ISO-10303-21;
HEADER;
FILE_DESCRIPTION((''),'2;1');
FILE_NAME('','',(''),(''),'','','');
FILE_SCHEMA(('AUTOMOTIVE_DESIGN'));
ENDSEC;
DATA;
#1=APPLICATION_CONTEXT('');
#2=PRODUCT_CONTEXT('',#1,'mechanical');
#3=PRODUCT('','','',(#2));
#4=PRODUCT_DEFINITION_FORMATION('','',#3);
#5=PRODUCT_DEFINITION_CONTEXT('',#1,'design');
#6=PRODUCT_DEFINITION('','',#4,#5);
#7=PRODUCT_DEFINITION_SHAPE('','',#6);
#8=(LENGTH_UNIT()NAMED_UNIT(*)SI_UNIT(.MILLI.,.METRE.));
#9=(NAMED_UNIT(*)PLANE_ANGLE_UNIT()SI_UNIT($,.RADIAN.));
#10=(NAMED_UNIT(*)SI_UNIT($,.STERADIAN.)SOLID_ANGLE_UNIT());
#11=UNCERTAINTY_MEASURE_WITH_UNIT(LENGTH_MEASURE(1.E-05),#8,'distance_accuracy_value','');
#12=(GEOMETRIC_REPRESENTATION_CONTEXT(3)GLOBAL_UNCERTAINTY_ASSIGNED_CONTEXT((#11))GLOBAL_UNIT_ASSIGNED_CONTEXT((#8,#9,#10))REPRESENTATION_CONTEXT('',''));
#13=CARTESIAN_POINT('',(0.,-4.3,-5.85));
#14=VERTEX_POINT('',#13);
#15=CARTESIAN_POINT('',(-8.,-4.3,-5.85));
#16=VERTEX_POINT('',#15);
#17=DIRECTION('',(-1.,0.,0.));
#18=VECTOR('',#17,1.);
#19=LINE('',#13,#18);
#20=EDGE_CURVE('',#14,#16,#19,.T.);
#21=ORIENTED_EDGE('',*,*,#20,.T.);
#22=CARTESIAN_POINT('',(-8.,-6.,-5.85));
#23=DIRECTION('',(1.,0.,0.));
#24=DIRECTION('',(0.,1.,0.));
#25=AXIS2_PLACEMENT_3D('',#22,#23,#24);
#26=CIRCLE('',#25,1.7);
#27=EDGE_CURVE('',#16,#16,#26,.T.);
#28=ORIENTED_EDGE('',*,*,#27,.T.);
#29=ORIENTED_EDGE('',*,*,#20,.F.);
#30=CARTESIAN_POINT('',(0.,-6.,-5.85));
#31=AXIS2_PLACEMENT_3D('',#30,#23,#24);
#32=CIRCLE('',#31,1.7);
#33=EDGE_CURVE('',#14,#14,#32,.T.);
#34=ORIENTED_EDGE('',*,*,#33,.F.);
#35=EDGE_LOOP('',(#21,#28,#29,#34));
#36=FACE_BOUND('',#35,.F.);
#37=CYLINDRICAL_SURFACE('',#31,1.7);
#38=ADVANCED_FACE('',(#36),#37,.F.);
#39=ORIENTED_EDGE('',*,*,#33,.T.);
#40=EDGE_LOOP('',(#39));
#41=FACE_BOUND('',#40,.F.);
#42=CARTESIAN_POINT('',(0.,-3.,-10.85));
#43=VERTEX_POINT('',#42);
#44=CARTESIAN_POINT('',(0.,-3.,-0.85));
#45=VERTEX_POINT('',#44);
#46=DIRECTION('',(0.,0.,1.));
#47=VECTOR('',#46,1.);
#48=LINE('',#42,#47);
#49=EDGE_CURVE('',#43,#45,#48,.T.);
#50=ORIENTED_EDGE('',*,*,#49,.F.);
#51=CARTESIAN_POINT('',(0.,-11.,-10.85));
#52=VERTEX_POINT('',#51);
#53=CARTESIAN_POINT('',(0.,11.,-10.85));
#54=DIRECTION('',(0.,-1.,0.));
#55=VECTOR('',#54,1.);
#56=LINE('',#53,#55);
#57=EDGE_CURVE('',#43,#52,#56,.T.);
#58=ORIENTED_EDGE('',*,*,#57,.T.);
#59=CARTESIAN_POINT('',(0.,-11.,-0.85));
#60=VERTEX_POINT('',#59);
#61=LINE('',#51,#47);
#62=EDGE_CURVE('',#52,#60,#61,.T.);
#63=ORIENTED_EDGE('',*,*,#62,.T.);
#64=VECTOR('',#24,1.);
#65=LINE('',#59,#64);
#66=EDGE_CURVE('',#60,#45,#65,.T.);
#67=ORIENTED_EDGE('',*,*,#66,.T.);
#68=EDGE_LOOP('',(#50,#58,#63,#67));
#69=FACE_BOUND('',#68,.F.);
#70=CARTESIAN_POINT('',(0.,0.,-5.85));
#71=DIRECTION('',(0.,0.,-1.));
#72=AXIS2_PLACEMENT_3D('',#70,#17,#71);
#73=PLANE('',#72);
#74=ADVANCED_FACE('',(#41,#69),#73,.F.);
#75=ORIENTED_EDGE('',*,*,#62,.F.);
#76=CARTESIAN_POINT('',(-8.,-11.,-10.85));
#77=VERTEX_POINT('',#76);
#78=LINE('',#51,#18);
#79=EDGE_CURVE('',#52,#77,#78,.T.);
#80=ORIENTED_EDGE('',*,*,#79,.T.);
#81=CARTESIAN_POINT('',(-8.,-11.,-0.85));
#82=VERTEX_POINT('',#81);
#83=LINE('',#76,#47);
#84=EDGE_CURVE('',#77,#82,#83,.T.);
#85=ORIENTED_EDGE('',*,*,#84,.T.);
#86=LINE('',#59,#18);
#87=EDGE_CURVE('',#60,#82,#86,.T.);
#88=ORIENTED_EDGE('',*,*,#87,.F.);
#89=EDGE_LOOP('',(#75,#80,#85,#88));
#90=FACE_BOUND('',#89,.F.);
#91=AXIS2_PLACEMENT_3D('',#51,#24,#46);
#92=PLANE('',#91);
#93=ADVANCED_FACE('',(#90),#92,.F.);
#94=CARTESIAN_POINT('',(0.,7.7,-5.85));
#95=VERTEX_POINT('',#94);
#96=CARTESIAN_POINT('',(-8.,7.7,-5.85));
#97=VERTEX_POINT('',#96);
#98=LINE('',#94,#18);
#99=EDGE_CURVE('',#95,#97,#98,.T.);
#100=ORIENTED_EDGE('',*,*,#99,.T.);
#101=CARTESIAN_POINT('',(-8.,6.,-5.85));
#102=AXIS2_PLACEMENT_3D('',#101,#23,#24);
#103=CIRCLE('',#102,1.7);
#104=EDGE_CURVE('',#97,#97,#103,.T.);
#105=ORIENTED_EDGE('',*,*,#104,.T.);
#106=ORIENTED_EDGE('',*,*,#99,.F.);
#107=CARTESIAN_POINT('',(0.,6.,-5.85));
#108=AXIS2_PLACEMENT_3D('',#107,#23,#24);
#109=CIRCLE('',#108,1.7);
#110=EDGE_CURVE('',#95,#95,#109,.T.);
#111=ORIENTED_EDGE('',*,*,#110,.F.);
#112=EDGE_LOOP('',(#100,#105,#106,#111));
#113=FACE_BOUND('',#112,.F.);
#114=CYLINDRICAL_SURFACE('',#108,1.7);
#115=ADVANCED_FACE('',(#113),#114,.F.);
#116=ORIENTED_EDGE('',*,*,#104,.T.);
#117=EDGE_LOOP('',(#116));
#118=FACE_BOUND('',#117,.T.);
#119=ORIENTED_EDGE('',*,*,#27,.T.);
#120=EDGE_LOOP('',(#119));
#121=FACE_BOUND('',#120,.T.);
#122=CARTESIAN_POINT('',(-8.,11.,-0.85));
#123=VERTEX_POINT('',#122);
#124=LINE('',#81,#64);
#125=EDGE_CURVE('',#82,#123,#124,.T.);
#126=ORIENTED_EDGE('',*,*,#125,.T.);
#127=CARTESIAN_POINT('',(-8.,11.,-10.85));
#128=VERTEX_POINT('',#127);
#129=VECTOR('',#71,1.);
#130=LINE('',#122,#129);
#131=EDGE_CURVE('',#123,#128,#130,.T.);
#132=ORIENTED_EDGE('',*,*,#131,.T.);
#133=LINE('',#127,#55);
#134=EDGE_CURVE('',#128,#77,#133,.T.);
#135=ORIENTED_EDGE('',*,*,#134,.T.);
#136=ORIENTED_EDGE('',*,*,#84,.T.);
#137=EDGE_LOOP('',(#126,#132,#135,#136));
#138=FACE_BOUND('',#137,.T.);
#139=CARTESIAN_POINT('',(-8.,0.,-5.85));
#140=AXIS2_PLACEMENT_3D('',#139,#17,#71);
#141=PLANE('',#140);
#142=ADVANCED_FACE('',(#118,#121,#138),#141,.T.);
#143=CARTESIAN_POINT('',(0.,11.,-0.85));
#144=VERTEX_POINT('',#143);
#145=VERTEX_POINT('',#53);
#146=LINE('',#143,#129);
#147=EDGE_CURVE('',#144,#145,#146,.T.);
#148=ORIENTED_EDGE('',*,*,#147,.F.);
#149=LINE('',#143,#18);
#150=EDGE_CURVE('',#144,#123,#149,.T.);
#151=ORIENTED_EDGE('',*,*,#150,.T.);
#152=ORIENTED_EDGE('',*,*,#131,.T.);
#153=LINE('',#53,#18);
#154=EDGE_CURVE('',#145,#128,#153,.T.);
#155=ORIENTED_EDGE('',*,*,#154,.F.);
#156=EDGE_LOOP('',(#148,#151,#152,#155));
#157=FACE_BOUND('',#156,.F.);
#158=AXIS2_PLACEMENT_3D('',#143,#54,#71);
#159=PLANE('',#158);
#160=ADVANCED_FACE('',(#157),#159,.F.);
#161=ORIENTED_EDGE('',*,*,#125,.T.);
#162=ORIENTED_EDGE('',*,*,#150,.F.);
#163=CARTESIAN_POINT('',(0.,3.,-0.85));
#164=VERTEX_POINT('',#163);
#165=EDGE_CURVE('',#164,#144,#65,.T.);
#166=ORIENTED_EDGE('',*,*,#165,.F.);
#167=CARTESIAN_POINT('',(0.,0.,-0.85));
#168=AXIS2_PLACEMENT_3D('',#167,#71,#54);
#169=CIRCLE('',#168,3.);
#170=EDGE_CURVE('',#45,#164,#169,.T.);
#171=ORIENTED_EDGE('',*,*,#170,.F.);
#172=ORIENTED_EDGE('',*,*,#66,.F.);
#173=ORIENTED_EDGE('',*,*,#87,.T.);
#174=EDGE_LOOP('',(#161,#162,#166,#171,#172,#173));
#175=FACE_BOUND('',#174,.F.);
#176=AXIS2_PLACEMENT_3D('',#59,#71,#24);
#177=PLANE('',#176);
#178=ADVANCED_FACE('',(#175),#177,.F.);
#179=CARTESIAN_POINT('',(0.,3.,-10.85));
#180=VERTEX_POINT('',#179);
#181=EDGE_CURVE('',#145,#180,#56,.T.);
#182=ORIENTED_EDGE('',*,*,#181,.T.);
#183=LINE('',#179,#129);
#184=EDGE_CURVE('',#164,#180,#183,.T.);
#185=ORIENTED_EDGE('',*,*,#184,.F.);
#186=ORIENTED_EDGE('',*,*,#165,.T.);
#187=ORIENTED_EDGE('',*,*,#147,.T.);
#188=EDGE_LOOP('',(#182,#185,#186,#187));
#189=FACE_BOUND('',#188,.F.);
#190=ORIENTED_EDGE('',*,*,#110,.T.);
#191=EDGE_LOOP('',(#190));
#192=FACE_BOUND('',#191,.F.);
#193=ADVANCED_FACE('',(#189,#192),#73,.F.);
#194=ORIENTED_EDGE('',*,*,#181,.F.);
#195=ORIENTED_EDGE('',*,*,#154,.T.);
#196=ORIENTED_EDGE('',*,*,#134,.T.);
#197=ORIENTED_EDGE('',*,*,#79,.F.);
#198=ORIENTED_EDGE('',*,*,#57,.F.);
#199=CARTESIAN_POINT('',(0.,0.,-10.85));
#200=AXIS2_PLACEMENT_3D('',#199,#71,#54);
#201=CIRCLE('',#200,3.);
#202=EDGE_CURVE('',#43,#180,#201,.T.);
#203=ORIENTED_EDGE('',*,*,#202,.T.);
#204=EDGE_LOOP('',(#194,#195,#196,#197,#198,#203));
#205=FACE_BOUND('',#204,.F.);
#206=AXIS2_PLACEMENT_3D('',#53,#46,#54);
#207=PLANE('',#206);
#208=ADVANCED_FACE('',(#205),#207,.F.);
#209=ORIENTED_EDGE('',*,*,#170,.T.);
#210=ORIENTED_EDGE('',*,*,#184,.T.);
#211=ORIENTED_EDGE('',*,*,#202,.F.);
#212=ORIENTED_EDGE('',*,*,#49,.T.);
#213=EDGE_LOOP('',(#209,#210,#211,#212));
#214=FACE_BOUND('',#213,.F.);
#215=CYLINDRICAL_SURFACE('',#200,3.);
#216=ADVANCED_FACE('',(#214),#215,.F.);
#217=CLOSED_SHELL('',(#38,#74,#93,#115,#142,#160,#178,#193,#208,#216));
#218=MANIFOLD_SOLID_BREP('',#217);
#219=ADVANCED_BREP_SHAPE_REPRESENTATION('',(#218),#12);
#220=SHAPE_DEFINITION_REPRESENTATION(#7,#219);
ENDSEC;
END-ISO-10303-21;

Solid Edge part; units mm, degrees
sketch "Sketch1" plane through (0, 0, 0) normal (1, 0, 0) x (0, 1, 0)
  circle A0 centre (-6, -5.85) radius 1.7
  line L0 (11, -10.85) -> (-11, -10.85)
  line L1 (-11, -10.85) -> (-11, -0.85)
  line L2 (-11, -0.85) -> (11, -0.85)
  line L3 (11, -0.85) -> (11, -10.85)
  circle A1 centre (6, -5.85) radius 1.7
  dimension "D1" = 10
  dimension "D2" = 22
extrude "Protrusion1" add sketch "Sketch1" against normal blind 8
sketch "Sketch2" plane through (-5, 0, -10.85) normal (0, 0, -1) x (0, -1, 0)
  circle A0 centre (0, -5) radius 3
extrude "Cutout1" cut sketch "Sketch2" against normal through all
properties material "ABS Plastic, high impact"
